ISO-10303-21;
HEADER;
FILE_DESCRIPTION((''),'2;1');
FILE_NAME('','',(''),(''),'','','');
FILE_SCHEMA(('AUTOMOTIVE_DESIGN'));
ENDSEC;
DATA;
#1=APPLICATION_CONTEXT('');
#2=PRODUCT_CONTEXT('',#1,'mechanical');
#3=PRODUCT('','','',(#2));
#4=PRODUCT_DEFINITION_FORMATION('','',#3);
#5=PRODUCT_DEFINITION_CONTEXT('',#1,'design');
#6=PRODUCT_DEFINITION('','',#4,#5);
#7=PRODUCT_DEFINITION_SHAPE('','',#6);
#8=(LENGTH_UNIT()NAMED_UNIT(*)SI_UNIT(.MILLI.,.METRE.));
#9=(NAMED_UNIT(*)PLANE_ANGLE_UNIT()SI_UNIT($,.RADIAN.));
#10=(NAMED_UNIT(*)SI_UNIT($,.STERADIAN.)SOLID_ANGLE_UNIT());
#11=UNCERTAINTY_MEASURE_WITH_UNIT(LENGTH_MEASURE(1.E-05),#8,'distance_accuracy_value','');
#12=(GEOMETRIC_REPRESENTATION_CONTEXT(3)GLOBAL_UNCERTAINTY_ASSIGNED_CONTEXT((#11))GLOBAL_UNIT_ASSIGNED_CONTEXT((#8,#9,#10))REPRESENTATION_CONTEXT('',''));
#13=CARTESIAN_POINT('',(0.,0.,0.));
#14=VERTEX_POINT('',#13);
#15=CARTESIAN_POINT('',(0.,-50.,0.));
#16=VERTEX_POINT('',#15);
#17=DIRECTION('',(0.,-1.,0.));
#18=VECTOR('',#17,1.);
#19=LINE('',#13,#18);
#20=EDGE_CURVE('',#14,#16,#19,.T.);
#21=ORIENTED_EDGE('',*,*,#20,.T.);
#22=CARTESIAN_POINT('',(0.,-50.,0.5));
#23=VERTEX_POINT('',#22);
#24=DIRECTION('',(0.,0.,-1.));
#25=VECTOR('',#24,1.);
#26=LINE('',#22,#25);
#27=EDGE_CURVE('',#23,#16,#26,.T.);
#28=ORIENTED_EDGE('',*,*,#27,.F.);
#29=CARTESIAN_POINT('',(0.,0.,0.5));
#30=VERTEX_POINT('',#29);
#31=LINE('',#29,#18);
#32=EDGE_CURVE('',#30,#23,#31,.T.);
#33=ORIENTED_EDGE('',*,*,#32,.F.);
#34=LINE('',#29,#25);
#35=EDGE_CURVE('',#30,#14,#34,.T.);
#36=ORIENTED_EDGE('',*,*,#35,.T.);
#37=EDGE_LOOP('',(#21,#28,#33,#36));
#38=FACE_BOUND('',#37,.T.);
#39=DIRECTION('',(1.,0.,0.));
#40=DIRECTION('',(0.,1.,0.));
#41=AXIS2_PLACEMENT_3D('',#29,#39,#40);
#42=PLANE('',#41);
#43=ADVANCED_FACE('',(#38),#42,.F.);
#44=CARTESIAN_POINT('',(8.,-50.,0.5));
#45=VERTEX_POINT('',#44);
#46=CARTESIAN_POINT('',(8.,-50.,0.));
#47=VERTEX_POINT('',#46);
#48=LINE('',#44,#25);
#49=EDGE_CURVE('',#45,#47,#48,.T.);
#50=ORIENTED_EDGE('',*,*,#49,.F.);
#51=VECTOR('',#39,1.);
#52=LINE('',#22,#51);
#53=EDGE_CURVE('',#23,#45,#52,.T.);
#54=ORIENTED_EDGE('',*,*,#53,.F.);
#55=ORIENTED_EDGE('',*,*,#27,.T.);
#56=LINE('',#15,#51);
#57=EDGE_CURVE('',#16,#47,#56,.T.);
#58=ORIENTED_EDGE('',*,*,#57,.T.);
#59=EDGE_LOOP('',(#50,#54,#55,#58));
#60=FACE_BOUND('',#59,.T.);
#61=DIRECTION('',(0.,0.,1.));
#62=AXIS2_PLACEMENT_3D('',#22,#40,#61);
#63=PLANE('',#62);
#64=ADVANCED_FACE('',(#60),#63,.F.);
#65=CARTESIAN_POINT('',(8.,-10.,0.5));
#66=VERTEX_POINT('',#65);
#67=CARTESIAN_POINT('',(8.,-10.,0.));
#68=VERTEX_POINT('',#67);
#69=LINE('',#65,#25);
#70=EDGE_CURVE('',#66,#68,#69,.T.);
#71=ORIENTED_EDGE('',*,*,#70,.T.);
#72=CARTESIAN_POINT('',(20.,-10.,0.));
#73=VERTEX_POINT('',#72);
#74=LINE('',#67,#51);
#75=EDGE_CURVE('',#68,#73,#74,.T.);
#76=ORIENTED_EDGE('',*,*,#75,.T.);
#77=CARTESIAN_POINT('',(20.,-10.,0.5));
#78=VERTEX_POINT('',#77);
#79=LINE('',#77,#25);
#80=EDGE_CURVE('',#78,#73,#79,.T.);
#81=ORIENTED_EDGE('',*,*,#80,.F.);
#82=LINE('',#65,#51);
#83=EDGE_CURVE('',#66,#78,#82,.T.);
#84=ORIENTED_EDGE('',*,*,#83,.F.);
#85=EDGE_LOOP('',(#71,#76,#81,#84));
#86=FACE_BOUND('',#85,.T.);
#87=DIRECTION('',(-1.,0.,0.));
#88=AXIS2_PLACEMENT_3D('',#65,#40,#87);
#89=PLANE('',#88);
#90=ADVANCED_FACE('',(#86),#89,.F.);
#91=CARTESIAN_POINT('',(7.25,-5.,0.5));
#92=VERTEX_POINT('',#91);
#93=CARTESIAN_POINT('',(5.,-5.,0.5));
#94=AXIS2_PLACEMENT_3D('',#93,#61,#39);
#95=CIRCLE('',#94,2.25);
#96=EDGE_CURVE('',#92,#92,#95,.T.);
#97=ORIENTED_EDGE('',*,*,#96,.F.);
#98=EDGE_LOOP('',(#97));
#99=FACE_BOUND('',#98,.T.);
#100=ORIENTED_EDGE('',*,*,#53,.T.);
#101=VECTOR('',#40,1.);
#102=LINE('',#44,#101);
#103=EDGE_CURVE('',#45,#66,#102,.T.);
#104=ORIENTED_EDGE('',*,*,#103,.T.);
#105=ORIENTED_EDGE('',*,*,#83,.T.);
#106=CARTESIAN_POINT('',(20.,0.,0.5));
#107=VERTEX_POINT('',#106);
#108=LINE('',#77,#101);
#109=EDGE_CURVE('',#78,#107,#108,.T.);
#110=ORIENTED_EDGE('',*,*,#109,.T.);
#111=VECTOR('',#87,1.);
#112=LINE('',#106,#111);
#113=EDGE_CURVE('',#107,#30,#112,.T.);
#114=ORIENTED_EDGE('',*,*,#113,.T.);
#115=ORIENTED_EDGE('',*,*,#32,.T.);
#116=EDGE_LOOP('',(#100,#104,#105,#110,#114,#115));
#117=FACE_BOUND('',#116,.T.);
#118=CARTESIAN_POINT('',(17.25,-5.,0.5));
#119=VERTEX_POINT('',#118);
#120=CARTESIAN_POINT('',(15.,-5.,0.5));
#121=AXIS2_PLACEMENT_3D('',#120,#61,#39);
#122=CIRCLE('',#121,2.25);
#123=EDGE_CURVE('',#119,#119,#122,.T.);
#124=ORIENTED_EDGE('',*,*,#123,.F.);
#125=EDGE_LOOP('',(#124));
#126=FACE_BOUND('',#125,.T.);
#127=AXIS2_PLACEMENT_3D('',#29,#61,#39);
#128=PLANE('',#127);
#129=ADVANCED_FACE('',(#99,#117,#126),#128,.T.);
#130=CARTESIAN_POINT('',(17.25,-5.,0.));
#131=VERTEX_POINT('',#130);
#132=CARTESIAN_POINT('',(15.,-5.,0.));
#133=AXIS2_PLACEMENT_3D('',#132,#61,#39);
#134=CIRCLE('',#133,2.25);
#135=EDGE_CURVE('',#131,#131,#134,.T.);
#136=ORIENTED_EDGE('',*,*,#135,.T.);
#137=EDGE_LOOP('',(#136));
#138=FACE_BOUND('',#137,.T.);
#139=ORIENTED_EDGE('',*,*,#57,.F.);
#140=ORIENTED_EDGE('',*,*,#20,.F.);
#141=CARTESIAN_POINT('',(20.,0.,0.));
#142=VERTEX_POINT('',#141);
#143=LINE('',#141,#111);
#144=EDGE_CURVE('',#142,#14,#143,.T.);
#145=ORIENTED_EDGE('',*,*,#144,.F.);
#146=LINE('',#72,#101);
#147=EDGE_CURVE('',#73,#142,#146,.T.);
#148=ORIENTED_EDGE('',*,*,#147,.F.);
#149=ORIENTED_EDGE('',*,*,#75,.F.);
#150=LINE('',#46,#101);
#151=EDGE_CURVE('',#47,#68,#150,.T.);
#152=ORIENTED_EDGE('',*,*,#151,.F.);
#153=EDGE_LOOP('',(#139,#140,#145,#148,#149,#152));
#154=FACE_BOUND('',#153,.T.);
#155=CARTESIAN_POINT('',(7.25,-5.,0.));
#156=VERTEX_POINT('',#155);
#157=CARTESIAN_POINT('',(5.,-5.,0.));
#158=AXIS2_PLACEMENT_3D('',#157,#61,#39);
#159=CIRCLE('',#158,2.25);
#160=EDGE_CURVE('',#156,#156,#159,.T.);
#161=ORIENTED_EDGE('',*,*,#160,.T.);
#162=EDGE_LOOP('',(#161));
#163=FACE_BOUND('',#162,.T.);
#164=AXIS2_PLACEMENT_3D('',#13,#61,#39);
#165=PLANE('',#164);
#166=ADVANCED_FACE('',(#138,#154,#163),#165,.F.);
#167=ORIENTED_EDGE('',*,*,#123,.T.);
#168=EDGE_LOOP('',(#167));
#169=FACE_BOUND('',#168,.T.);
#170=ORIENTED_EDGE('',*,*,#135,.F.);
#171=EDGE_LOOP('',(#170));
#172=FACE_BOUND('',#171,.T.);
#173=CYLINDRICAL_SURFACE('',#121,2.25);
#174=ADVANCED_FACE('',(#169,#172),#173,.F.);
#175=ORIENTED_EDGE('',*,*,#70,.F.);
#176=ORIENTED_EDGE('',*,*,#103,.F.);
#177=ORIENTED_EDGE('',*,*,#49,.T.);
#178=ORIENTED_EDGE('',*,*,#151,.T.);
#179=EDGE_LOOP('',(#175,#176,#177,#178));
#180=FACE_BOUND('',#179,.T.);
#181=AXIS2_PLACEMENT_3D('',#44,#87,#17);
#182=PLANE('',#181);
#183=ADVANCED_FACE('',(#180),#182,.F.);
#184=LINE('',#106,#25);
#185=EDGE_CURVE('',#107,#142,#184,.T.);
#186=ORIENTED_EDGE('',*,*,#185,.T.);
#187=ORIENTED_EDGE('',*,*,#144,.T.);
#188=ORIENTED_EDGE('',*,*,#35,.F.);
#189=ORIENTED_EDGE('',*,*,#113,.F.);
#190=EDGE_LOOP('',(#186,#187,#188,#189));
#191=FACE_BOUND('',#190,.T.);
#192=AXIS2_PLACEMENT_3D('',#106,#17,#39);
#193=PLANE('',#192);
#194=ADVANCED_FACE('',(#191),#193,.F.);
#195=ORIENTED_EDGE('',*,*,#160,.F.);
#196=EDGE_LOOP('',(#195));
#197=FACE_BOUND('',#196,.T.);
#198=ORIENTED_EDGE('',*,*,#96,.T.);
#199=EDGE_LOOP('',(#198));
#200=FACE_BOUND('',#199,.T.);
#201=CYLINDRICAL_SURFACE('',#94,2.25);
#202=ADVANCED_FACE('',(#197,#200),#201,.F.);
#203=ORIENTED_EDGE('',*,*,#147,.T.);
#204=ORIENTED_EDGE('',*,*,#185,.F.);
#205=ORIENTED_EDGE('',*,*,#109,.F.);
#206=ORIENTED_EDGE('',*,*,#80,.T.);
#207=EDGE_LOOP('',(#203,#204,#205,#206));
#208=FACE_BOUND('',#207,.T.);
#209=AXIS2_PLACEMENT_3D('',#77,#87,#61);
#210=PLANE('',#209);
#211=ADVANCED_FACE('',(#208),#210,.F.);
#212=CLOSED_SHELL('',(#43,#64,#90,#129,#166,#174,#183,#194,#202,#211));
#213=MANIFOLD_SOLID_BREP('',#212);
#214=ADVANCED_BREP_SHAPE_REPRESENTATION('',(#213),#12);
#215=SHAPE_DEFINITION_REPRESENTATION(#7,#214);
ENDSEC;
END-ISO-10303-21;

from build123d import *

# Parameters (mm, degrees)
ESQUISSE1_R          = 1.25
BOSS_EXTRU_1_DEPTH   = 0.5
D_GAGEMENT_M41_D     = 4.5
D_GAGEMENT_M41_DEPTH = 16


with BuildPart() as part:
    # Esquisse1 → Boss.-Extru.1 (new body)
    with BuildSketch(Plane.XY):
        Polygon((0, 0), (0, -50), (8, -50), (8, -10), (20, -10), (20, 0), align=None)
        with Locations((15, -5)):
            Circle(ESQUISSE1_R, mode=Mode.SUBTRACT)
        with Locations((5, -5)):
            Circle(ESQUISSE1_R, mode=Mode.SUBTRACT)
    extrude(amount=BOSS_EXTRU_1_DEPTH)

    # Dégagement M41
    with Locations(Plane.XY.offset(0.5)):
        with Locations((5, -5), (15, -5)):
            Hole(D_GAGEMENT_M41_D / 2, depth=D_GAGEMENT_M41_DEPTH)


solid = part.part
